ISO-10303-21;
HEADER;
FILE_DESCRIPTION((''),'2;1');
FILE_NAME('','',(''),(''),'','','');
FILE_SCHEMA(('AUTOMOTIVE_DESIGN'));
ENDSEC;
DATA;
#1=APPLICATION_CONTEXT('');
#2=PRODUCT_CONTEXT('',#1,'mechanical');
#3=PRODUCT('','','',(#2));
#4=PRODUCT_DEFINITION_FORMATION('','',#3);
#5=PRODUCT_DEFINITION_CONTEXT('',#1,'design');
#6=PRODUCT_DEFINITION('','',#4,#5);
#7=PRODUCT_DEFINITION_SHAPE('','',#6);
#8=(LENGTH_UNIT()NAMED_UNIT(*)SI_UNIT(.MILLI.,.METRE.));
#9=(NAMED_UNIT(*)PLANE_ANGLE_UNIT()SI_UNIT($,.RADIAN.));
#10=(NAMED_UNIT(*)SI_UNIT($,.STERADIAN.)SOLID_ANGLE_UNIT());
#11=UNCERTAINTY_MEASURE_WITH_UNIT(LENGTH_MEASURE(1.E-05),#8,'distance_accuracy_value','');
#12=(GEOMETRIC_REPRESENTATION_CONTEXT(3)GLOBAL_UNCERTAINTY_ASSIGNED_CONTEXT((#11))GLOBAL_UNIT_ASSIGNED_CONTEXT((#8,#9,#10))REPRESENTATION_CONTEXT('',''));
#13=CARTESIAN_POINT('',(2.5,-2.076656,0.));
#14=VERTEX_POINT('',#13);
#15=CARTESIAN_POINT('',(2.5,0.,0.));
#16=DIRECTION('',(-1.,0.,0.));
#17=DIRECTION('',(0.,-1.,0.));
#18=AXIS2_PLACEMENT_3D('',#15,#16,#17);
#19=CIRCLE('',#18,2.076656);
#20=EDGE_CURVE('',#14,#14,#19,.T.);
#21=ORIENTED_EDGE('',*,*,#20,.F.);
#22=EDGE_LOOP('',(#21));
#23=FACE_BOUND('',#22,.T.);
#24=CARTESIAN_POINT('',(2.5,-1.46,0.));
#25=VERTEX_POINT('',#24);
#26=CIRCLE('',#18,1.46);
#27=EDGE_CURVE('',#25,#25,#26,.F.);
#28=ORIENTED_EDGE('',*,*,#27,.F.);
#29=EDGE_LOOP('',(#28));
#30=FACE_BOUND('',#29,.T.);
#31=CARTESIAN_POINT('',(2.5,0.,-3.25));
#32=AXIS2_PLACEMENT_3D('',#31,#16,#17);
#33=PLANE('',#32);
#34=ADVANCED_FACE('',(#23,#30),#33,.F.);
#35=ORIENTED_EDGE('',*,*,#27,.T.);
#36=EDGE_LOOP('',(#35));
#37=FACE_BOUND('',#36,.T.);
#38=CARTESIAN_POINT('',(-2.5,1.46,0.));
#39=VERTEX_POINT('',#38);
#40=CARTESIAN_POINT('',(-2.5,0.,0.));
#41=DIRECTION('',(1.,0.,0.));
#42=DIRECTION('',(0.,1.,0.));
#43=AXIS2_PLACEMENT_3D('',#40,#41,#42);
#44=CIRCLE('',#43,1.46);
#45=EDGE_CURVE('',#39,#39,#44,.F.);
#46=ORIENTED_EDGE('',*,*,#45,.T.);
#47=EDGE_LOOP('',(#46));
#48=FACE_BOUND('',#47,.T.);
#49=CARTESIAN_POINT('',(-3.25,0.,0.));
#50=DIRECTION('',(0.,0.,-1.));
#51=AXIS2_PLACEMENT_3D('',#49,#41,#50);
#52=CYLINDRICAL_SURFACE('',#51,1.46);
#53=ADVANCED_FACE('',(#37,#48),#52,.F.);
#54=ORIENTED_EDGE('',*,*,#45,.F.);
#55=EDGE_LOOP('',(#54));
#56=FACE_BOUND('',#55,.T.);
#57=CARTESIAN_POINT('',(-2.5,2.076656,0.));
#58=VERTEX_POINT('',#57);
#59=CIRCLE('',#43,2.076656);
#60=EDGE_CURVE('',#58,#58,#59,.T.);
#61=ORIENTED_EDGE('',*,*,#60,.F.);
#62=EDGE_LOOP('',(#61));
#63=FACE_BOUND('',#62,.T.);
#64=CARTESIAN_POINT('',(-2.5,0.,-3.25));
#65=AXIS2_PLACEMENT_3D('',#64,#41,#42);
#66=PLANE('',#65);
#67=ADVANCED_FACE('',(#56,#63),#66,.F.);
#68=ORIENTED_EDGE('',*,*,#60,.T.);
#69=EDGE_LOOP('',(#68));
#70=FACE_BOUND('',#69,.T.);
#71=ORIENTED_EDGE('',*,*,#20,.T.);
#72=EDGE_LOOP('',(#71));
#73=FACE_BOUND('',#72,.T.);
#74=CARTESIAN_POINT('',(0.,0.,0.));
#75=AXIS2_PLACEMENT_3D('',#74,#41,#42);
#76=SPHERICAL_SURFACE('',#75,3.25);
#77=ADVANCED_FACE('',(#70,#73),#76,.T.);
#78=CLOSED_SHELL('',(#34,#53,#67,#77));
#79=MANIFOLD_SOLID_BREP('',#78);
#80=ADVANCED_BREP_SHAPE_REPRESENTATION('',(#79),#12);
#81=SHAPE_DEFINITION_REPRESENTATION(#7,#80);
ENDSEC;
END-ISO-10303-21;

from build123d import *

# Parameters (mm, degrees)
TAGLIO_ESTRUSIONE1_DEPTH      = 6.629165125
TAGLIO_ESTRUSIONE1_DEPTH_BACK = 6.629165125
SCHIZZO2_R                    = 1.46
TAGLIO_ESTRUSIONE2_DEPTH      = 6.436533822
TAGLIO_ESTRUSIONE2_DEPTH_BACK = 6.436533822
SCHIZZO3_W                    = 0.403601212
SCHIZZO3_H                    = 6.501424145


with BuildPart() as part:
    # Schizzo1 → Rivoluzione1 (revolve)
    with BuildSketch(Plane.XY):
        with BuildLine():
            Line((0, 3.25), (0, -3.25))
            ThreePointArc((0, -3.25), (3.25, 0), (0, 3.25))
        make_face()
    revolve(axis=Axis((0, 3.25, 0), (0, -1, 0)))

    # Schizzo2 → Taglio-Estrusione1 (cut, two sides: drawn at the far end of the back side and taken through both)
    with BuildSketch(Plane(origin=(0, 0, 0), x_dir=(0, 0, -1), z_dir=(1, 0, 0)).offset(-TAGLIO_ESTRUSIONE1_DEPTH_BACK)):
        with Locations(Location((0, 0, 0), (0, 0, 180))):
            Circle(SCHIZZO2_R)
    extrude(amount=TAGLIO_ESTRUSIONE1_DEPTH + TAGLIO_ESTRUSIONE1_DEPTH_BACK, mode=Mode.SUBTRACT)

    # Schizzo3 → Taglio-Estrusione2 (cut, two sides: drawn at the far end of the back side and taken through both)
    with BuildSketch(Plane.XY.offset(-TAGLIO_ESTRUSIONE2_DEPTH_BACK)):
        with Locations((2.701800606, 0.000712073)):
            Rectangle(SCHIZZO3_W, SCHIZZO3_H)
        with Locations((-2.701800606, 0.000712073)):
            Rectangle(SCHIZZO3_W, SCHIZZO3_H)
    extrude(amount=TAGLIO_ESTRUSIONE2_DEPTH + TAGLIO_ESTRUSIONE2_DEPTH_BACK, mode=Mode.SUBTRACT)


solid = part.part
